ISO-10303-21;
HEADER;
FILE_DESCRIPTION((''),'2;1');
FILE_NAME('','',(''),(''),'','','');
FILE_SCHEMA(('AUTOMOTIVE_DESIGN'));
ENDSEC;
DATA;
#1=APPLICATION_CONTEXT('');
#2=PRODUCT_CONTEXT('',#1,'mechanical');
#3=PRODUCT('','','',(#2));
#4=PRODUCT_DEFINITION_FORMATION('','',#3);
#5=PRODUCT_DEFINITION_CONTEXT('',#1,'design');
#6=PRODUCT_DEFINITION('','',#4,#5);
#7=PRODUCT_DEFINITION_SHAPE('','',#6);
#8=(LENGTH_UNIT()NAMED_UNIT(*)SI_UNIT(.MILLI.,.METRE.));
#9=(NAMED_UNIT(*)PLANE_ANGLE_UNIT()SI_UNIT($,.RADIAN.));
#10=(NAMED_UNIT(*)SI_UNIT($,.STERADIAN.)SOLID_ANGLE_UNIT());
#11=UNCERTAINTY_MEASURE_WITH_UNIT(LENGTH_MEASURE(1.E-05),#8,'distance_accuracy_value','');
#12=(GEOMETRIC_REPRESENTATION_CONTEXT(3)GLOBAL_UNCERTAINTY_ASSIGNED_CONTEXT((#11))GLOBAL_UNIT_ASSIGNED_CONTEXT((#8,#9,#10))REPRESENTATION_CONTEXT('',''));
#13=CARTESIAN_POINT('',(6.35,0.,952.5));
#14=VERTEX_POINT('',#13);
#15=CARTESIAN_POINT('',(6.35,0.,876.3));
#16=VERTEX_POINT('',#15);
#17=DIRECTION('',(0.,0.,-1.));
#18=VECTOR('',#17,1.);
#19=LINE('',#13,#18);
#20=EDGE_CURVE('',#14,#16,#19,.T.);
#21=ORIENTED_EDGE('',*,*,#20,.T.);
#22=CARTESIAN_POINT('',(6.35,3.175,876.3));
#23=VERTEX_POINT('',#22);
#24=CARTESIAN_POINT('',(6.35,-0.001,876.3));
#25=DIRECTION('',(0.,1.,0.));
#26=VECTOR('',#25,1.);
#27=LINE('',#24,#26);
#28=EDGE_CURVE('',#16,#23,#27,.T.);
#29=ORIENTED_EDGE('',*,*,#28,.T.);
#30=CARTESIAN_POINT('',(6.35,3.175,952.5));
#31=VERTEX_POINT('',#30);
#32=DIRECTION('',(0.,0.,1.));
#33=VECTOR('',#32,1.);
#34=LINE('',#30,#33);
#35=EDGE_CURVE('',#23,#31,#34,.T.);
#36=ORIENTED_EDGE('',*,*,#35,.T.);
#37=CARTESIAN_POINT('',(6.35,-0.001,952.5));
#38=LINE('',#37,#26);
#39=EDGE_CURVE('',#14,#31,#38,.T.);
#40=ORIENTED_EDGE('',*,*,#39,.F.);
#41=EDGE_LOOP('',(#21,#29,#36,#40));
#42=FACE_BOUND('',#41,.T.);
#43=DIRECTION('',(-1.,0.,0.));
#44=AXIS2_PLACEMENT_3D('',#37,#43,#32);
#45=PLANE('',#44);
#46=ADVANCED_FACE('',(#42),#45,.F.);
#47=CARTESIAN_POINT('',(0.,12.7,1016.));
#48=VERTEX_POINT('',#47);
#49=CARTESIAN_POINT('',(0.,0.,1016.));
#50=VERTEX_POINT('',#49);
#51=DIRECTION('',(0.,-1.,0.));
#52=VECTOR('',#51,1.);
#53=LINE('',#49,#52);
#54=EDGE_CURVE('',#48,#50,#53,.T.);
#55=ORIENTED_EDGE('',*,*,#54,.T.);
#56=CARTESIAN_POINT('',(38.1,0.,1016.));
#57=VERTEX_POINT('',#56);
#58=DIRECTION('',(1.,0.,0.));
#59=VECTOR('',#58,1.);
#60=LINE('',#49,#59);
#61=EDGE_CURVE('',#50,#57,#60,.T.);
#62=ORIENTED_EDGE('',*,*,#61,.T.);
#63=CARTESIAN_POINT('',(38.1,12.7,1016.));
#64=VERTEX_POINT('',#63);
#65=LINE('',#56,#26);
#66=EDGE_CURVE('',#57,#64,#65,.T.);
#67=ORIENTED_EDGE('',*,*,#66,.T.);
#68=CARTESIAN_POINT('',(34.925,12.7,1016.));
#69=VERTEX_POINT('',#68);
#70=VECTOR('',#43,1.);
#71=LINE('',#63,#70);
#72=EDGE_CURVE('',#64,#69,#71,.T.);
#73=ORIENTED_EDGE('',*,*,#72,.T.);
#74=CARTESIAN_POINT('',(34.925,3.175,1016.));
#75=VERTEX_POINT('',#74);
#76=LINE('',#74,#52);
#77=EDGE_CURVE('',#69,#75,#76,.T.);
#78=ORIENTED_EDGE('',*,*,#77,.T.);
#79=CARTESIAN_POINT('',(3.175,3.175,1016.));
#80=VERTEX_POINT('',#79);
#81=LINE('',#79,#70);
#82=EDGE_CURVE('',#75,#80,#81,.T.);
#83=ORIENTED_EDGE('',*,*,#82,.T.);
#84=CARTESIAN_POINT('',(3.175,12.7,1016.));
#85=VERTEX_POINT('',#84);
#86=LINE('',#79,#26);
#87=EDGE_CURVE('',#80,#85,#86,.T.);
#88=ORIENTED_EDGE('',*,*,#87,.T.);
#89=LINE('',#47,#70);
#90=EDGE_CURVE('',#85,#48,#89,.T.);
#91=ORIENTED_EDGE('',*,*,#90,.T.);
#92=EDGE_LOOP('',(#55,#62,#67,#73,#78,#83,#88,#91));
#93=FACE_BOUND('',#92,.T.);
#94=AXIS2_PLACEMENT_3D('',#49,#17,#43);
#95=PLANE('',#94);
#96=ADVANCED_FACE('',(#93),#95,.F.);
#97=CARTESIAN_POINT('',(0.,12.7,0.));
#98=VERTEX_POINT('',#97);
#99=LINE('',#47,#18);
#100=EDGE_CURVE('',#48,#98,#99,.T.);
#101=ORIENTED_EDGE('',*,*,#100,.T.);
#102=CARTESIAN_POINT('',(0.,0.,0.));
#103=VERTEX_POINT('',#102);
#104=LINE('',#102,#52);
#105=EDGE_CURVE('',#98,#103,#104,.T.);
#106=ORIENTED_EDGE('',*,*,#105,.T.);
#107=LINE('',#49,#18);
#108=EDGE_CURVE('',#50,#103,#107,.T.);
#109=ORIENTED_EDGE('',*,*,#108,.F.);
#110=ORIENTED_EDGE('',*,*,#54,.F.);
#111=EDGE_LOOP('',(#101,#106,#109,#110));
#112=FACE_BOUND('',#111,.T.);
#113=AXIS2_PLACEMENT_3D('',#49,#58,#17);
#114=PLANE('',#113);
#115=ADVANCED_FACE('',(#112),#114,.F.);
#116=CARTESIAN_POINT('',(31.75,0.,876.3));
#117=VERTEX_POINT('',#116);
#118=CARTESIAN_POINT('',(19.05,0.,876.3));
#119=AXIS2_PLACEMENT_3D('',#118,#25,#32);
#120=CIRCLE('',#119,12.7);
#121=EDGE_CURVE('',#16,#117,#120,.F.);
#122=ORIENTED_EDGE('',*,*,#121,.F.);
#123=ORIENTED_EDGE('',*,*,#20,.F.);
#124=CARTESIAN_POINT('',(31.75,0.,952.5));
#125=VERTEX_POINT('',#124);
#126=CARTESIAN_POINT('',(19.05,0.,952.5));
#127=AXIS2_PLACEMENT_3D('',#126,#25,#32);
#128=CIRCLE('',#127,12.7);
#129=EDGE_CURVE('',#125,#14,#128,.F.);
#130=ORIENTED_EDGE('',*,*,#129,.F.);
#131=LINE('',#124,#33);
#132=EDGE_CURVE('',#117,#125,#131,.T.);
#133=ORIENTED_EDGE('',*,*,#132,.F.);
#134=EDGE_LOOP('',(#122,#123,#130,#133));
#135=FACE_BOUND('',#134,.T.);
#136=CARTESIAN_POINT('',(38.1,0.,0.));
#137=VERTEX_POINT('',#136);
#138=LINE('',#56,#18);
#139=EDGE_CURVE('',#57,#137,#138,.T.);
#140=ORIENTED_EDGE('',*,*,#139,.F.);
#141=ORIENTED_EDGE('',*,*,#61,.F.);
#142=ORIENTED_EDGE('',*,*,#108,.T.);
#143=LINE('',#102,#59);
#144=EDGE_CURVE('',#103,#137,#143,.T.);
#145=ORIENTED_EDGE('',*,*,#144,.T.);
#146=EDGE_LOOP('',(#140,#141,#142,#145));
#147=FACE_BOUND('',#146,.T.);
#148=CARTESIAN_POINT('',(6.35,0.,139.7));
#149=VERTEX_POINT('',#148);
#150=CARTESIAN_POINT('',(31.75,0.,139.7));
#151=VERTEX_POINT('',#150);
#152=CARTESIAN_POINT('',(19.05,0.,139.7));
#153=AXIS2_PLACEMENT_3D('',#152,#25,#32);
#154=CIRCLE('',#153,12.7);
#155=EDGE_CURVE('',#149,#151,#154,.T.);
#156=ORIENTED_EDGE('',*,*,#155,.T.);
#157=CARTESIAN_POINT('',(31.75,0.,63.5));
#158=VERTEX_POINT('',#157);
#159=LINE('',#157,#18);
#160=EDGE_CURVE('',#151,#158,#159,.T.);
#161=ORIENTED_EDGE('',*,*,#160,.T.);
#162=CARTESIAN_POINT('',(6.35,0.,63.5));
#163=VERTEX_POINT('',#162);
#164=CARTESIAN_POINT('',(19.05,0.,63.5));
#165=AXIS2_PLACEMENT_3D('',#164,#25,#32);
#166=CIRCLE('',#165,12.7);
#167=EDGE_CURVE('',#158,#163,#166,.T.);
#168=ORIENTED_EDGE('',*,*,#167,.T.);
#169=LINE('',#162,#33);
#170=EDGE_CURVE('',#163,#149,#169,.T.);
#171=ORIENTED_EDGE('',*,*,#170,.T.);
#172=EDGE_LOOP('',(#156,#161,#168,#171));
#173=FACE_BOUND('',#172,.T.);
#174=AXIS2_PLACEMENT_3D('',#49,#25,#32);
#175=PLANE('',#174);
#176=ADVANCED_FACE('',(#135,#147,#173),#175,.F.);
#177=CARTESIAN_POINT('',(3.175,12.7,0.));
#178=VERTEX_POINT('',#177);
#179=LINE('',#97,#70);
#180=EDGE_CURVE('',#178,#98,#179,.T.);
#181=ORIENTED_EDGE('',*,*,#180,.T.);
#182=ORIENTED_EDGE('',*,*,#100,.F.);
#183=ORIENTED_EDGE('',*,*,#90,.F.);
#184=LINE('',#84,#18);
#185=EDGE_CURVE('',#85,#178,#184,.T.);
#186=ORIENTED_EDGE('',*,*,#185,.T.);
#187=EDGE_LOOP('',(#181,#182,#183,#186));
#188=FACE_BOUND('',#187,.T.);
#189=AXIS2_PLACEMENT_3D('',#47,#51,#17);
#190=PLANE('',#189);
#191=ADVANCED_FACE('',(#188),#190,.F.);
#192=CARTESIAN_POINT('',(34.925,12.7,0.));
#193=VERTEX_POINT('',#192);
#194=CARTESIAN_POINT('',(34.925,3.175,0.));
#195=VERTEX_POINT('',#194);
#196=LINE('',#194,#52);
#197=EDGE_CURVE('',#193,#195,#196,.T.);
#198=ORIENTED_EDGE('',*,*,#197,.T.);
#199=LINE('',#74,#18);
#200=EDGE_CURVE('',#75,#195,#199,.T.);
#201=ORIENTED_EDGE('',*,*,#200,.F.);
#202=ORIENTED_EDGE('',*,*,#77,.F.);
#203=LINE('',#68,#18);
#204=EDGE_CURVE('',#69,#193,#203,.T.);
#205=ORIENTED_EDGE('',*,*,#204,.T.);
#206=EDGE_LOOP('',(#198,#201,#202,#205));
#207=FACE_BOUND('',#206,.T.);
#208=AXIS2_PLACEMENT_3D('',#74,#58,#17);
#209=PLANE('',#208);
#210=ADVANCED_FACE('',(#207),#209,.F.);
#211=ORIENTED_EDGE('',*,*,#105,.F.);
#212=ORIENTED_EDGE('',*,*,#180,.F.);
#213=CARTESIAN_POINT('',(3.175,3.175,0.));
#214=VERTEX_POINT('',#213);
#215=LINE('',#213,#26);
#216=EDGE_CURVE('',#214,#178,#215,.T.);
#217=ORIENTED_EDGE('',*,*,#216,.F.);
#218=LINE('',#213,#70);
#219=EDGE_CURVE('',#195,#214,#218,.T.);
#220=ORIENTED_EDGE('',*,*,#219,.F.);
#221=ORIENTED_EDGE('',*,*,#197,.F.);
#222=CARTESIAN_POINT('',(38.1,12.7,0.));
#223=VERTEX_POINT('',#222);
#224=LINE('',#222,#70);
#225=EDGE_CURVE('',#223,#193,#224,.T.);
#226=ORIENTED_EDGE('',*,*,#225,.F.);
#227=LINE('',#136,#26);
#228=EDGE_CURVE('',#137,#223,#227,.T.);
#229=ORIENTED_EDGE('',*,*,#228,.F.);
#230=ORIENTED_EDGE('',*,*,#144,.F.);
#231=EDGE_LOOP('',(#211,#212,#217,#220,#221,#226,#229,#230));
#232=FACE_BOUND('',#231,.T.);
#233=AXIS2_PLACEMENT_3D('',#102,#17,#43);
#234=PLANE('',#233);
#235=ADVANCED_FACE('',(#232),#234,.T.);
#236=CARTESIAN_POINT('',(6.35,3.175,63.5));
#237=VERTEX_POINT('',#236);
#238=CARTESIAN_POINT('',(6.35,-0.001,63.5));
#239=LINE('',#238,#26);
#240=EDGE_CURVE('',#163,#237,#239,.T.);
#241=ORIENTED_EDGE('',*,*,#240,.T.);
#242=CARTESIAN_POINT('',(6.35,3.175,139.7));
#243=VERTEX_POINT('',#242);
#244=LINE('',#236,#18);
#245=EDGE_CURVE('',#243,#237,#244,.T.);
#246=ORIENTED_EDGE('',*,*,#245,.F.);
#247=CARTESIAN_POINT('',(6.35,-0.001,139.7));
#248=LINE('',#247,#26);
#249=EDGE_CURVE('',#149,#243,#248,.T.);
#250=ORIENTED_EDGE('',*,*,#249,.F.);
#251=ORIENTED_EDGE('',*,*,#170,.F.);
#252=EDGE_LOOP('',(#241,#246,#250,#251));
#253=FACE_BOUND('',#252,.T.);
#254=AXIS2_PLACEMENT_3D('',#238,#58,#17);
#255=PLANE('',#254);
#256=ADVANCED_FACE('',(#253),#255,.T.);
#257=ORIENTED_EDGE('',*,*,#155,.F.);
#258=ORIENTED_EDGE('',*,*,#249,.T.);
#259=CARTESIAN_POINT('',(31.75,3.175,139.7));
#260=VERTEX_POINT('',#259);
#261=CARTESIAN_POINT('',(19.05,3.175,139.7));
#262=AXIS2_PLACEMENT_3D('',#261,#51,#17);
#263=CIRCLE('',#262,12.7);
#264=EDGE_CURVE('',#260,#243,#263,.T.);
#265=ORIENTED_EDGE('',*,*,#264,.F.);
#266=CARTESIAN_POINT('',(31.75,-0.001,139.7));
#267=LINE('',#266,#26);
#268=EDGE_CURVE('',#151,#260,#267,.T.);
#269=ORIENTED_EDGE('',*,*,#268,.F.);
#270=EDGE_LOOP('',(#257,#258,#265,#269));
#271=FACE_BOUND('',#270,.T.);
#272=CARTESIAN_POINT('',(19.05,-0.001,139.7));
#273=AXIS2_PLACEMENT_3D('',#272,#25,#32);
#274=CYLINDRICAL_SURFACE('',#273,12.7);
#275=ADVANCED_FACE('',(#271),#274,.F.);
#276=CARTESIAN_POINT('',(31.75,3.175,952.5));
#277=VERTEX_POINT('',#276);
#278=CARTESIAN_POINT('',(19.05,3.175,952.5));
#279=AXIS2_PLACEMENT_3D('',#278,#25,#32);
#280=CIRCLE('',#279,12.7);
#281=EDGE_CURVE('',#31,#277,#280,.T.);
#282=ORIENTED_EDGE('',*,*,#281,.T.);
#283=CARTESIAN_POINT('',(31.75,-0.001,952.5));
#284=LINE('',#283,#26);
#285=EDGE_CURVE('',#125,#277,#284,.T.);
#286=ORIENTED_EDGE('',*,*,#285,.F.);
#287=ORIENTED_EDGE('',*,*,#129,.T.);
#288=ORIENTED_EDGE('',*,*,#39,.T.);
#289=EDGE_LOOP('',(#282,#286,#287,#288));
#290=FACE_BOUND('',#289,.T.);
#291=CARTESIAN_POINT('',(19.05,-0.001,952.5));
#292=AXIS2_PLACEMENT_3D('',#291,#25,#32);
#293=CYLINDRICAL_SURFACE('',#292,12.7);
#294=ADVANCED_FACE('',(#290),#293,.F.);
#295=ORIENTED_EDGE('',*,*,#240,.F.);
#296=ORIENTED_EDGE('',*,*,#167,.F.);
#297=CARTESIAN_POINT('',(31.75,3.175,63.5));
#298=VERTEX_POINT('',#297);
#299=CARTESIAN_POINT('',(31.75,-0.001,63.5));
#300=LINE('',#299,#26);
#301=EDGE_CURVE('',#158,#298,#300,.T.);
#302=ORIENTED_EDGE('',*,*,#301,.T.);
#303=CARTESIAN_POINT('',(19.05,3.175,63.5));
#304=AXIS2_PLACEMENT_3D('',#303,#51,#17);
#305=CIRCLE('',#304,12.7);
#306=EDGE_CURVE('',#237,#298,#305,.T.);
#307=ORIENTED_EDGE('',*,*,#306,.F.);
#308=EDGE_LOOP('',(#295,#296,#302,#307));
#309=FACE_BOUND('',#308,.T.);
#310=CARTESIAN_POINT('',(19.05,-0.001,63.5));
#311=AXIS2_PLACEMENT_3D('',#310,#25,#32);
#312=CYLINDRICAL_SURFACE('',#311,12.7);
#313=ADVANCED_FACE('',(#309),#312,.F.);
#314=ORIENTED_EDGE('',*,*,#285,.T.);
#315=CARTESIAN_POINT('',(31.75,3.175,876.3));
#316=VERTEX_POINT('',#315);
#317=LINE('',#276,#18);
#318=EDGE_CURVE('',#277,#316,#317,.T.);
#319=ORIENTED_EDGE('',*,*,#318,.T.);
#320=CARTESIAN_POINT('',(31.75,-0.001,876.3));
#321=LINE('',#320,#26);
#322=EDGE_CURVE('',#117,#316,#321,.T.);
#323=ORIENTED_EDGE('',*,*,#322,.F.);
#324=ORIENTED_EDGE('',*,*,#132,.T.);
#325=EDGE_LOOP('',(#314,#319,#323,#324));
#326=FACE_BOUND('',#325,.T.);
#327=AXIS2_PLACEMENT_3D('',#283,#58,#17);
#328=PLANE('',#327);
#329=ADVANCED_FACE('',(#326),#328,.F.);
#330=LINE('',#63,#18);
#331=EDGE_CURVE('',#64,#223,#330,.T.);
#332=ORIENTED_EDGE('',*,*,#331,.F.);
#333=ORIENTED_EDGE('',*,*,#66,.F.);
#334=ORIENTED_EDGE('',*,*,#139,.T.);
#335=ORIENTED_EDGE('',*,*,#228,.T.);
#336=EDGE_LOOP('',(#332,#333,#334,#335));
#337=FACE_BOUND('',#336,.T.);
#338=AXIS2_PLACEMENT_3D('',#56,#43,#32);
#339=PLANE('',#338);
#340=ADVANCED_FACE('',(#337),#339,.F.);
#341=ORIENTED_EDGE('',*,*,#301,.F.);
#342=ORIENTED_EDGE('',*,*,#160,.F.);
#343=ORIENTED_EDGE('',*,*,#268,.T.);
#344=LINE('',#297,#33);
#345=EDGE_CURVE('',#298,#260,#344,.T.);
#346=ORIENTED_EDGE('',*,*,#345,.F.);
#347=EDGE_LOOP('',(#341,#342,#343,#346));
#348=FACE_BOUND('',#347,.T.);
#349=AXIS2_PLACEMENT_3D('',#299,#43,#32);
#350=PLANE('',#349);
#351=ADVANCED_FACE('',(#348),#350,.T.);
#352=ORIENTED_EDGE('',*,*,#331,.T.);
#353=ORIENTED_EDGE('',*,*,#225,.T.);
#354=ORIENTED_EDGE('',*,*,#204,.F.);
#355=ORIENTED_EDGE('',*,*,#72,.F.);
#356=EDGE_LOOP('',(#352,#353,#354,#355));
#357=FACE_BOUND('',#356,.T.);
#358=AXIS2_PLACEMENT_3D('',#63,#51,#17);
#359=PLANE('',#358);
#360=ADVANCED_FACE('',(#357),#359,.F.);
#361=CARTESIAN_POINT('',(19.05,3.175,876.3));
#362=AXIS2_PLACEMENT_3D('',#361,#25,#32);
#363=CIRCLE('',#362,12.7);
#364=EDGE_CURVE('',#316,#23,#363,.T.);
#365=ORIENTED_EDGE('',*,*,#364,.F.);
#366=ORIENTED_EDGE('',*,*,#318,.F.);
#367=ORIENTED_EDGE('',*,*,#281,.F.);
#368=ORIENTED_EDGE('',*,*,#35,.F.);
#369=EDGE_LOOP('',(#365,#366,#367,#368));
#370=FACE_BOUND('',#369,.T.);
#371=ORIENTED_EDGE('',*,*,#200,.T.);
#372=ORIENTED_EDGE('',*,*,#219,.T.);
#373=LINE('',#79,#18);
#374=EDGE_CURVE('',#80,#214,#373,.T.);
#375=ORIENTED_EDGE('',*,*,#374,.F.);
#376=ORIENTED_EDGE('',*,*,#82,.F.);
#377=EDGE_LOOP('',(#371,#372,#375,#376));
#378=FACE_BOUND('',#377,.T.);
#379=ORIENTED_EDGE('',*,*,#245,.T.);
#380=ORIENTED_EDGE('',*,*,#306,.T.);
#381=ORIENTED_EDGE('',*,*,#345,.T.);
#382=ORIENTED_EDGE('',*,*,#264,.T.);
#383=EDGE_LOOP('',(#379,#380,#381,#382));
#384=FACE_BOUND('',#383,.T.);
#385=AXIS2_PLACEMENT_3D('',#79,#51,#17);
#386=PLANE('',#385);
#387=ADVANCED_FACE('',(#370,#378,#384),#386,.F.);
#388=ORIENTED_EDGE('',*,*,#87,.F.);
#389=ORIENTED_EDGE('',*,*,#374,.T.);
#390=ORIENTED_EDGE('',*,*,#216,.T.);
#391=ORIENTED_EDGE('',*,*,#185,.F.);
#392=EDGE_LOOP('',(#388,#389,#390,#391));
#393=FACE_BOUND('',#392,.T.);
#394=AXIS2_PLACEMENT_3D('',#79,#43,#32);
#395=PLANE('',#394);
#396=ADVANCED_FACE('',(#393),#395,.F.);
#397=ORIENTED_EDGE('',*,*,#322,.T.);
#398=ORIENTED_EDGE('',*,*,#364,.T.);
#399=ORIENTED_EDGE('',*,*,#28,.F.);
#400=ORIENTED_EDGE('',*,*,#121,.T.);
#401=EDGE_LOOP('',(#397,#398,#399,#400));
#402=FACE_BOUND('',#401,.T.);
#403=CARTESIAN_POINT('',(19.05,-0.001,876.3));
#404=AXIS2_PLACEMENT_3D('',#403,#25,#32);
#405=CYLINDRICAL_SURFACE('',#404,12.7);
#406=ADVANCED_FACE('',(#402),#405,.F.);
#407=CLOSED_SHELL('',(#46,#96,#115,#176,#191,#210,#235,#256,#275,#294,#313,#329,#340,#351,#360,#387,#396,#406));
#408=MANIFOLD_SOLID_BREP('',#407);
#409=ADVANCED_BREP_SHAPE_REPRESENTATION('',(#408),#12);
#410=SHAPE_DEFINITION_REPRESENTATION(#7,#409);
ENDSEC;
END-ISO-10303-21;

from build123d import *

# Parameters (mm, degrees)
EXTRUDE_F_DEPTH    = 1016
CUT_EXTRUDE1_DEPTH = 3.175


with BuildPart() as part:
    # Sketch1 → Extrude f (new body)
    with BuildSketch(Plane.XY):
        Polygon((3.175, 3.175), (3.175, 12.7), (0, 12.7), (0, 0), (38.1, 0), (38.1, 12.7), (34.925, 12.7), (34.925, 3.175), align=None)
    extrude(amount=EXTRUDE_F_DEPTH)

    # Sketch2 → Cut-Extrude1 (cut)
    with BuildSketch(Plane(origin=(0, 3.175, 0), x_dir=(1, 0, 0), z_dir=(0, 1, 0))):
        with BuildLine():
            Line((6.35, -952.5), (6.35, -876.3))
            ThreePointArc((6.35, -876.3), (19.05, -863.6), (31.75, -876.3))
            Line((31.75, -876.3), (31.75, -952.5))
            ThreePointArc((31.75, -952.5), (19.05, -965.2), (6.35, -952.5))
        make_face()
    cut_extrude1 = extrude(amount=-CUT_EXTRUDE1_DEPTH, mode=Mode.SUBTRACT)

    # Mirror1: Cut-Extrude1 across plane
    add(cut_extrude1.mirror(Plane.XY.offset(508)), mode=Mode.SUBTRACT)


solid = part.part
